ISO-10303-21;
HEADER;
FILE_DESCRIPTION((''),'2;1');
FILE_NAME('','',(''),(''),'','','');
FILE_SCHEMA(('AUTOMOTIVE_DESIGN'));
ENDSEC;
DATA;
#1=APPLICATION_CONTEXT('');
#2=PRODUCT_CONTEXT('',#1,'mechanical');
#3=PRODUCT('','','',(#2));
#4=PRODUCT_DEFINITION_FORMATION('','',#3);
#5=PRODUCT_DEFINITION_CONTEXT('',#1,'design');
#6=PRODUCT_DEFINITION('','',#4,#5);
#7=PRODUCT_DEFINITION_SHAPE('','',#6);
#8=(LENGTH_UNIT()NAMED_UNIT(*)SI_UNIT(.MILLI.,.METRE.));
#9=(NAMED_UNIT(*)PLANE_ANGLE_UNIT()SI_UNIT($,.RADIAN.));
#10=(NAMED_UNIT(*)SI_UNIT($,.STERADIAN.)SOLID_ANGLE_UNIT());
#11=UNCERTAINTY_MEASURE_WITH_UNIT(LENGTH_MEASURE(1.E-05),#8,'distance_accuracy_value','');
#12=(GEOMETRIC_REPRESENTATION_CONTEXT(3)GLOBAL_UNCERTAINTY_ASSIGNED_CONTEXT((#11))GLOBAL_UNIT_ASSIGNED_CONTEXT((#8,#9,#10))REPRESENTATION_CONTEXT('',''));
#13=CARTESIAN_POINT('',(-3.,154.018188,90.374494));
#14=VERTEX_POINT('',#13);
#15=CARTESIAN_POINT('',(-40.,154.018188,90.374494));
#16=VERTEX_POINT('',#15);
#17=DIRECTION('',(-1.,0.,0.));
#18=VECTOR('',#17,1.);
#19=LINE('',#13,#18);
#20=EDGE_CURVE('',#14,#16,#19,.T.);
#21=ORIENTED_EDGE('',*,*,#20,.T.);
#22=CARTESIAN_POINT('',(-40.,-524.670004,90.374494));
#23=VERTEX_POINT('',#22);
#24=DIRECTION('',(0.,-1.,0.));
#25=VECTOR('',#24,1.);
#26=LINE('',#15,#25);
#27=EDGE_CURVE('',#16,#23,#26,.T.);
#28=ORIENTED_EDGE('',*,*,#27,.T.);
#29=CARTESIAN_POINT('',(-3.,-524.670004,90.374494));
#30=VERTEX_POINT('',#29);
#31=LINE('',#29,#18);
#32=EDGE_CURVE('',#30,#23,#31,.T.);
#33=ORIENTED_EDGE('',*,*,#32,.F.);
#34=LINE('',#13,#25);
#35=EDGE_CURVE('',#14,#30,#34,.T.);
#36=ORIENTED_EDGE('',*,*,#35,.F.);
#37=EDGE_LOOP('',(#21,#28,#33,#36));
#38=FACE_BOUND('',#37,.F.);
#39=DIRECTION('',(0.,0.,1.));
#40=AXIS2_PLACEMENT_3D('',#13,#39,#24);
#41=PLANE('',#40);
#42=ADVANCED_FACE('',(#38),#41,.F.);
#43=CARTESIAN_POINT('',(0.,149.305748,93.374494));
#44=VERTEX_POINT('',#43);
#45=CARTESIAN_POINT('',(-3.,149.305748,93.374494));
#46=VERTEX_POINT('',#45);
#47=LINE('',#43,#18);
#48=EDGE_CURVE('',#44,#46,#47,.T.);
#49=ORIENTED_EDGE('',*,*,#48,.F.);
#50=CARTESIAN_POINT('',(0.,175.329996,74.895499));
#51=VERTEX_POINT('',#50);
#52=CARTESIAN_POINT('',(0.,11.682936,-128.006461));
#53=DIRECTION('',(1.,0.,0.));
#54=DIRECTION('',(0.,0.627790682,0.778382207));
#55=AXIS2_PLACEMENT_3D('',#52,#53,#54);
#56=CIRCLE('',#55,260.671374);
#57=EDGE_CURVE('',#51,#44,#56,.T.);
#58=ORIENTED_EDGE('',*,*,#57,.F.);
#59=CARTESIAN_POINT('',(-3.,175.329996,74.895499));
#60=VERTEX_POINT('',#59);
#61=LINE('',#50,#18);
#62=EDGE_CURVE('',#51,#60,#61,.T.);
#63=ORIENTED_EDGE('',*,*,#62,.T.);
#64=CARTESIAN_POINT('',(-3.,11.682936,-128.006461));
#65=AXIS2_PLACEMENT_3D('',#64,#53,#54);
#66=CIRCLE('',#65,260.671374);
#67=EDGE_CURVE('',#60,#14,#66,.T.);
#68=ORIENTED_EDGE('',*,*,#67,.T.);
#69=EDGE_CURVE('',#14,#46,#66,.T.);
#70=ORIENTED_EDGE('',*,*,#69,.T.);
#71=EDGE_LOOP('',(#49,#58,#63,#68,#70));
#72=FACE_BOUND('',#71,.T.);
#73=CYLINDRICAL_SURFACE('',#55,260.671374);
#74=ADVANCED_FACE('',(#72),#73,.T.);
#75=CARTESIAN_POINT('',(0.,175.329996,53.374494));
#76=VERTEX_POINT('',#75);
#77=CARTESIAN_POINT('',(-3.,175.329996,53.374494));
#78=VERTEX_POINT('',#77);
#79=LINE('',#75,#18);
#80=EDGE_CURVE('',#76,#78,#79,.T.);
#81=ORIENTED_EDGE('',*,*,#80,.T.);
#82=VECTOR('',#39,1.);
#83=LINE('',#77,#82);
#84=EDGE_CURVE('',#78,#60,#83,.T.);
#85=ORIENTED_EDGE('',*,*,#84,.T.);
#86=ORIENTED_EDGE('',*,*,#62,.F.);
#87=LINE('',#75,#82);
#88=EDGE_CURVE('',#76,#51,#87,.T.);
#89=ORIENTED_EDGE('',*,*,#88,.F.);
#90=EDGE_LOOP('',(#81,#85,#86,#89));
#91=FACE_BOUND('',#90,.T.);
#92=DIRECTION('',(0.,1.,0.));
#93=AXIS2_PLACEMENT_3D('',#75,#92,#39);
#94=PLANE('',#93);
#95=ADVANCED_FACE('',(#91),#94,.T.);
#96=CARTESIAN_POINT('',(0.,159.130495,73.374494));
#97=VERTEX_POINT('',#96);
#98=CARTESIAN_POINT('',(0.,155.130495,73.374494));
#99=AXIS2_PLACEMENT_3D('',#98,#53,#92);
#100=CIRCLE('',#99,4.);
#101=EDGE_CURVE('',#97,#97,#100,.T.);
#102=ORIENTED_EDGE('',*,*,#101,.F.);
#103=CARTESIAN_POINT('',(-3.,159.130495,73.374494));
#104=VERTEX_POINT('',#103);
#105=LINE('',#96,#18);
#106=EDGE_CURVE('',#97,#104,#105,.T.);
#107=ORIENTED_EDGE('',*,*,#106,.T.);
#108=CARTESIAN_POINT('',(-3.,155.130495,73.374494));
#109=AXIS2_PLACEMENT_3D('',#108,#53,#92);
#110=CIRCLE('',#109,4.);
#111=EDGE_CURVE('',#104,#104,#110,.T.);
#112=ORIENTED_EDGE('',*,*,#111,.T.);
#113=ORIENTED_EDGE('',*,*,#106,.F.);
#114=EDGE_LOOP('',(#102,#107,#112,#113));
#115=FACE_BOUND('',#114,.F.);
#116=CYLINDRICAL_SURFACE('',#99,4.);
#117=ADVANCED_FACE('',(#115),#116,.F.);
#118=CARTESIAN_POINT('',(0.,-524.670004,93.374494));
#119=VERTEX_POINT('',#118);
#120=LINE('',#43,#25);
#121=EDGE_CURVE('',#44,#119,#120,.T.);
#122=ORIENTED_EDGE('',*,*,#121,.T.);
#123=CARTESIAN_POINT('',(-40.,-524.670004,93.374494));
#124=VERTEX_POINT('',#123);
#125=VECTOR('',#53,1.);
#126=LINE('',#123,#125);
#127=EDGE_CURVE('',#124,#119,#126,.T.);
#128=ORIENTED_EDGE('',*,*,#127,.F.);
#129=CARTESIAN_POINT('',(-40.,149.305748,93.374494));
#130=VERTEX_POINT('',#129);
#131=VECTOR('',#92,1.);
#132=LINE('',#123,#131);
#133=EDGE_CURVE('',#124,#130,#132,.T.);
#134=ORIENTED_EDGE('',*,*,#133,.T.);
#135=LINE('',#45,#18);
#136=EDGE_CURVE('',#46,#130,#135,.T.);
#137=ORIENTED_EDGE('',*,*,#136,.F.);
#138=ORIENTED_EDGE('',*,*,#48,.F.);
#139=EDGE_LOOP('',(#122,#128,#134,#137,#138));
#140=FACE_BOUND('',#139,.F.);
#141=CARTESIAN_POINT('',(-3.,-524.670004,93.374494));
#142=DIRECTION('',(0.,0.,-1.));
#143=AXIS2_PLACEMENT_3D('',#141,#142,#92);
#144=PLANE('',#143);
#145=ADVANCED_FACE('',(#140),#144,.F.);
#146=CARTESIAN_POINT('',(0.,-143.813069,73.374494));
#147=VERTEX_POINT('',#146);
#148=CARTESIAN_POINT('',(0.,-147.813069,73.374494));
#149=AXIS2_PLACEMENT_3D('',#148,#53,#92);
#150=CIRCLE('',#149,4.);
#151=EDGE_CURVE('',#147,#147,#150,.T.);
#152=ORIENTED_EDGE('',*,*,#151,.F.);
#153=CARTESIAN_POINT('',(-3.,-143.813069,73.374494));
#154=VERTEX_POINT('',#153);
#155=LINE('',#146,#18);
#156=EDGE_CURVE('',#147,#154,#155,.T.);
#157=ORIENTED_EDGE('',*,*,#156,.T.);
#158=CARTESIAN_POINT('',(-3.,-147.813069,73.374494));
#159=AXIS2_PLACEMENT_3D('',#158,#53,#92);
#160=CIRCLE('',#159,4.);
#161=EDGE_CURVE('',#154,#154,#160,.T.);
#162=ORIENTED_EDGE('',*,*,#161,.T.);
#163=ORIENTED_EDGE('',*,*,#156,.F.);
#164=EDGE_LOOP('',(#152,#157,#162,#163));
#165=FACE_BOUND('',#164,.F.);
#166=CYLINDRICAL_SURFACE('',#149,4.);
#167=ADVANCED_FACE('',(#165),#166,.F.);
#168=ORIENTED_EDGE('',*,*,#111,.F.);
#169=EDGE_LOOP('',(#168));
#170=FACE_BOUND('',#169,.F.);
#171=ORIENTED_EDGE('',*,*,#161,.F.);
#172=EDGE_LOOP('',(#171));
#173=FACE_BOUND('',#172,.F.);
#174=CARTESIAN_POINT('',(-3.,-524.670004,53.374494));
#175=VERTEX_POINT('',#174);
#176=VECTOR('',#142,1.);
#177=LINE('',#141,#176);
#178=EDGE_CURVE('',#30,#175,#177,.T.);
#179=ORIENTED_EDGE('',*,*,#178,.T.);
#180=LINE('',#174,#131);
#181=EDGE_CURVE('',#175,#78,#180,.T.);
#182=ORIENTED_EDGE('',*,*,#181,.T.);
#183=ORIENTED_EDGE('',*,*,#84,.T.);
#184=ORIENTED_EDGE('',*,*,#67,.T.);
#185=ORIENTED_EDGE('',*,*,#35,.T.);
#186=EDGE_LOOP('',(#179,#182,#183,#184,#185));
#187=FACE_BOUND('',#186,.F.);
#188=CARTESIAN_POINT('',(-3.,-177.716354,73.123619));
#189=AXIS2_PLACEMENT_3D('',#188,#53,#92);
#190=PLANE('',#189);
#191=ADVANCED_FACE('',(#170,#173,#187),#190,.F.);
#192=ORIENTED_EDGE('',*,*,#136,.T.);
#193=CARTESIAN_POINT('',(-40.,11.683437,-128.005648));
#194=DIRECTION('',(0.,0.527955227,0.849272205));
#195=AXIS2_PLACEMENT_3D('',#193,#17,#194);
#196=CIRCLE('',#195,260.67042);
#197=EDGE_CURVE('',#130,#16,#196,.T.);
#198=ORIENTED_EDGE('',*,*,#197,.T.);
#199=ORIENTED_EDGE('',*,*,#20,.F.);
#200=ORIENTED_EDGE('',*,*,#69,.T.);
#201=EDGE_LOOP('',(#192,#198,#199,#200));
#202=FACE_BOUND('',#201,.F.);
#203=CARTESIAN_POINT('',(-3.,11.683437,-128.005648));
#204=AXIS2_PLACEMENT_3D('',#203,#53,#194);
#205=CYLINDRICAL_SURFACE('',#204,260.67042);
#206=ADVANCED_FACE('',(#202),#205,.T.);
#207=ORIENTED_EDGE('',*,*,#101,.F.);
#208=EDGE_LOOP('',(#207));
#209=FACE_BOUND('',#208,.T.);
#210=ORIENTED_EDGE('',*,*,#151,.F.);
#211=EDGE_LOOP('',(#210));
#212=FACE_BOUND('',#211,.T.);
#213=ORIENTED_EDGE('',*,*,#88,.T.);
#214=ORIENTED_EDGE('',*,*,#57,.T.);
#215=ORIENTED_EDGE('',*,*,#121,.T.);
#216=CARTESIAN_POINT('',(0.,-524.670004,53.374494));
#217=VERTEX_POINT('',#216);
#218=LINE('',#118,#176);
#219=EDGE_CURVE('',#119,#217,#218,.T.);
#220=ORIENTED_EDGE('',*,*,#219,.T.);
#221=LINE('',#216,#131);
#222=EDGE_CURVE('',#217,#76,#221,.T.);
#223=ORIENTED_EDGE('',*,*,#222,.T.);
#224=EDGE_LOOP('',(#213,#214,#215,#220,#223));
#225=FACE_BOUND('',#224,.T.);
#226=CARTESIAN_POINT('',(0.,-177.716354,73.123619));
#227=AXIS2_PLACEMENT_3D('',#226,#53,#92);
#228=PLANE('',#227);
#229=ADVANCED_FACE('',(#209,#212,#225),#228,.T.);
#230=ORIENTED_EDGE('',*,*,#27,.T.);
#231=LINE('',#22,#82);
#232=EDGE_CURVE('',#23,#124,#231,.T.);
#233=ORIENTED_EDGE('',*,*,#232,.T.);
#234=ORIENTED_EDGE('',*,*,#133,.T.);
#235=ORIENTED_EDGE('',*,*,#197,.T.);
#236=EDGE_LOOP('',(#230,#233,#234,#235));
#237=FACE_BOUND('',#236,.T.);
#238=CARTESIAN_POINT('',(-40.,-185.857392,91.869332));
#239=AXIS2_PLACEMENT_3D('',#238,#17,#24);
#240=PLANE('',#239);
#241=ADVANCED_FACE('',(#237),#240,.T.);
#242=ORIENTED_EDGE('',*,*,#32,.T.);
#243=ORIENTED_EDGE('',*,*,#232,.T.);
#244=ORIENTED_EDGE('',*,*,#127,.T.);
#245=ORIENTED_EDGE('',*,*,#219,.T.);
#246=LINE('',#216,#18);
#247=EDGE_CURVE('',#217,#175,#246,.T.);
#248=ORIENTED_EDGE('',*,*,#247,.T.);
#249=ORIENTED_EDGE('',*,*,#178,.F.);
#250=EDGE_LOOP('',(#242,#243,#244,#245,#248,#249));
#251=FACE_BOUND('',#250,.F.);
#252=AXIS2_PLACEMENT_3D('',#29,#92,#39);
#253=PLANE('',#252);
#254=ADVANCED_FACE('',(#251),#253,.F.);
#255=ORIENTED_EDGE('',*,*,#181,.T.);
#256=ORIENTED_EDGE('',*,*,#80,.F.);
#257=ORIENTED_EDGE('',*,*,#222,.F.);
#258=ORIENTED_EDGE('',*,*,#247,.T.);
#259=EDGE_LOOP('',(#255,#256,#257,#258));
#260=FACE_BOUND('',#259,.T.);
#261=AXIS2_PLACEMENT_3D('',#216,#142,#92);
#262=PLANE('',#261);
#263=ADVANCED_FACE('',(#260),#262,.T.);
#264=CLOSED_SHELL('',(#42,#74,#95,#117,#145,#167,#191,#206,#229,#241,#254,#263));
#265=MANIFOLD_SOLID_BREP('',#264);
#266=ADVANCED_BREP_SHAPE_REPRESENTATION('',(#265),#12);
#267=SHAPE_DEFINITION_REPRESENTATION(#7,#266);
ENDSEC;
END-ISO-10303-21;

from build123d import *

# Parameters (mm, degrees)
F0_R     = 4
F1_DEPTH = 3
F3_DEPTH = 37


with BuildPart() as f1:
    # F0 (on Right) → F1 (new body)
    with BuildSketch(Plane.YZ):
        with BuildLine():
            ThreePointArc((175.329996, 74.895499), (162.600968, 84.533684), (149.305748, 93.374494))
            Line((149.305748, 93.374494), (-524.670004, 93.374494))
            Line((-524.670004, 93.374494), (-524.670004, 53.374494))
            Line((-524.670004, 53.374494), (175.329996, 53.374494))
            Line((175.329996, 53.374494), (175.329996, 74.895499))
        make_face()
        with Locations((-147.813069, 73.374494)):
            Circle(F0_R, mode=Mode.SUBTRACT)
        with Locations((155.130495, 73.374494)):
            Circle(F0_R, mode=Mode.SUBTRACT)
    extrude(amount=-F1_DEPTH)

    # F2 (on face) → F3 (join)
    with BuildSketch(Plane(origin=(-3, 0, 0), x_dir=(0, -1, 0), z_dir=(-1, 0, 0))):
        with BuildLine():
            ThreePointArc((-149.305748, 93.374494), (-151.670005, 91.887118), (-154.018188, 90.374494))
            Line((-154.018188, 90.374494), (524.670004, 90.374494))
            Line((524.670004, 90.374494), (524.670004, 93.374494))
            Line((524.670004, 93.374494), (-149.305748, 93.374494))
        make_face()
    extrude(amount=F3_DEPTH)


solid = f1.part
